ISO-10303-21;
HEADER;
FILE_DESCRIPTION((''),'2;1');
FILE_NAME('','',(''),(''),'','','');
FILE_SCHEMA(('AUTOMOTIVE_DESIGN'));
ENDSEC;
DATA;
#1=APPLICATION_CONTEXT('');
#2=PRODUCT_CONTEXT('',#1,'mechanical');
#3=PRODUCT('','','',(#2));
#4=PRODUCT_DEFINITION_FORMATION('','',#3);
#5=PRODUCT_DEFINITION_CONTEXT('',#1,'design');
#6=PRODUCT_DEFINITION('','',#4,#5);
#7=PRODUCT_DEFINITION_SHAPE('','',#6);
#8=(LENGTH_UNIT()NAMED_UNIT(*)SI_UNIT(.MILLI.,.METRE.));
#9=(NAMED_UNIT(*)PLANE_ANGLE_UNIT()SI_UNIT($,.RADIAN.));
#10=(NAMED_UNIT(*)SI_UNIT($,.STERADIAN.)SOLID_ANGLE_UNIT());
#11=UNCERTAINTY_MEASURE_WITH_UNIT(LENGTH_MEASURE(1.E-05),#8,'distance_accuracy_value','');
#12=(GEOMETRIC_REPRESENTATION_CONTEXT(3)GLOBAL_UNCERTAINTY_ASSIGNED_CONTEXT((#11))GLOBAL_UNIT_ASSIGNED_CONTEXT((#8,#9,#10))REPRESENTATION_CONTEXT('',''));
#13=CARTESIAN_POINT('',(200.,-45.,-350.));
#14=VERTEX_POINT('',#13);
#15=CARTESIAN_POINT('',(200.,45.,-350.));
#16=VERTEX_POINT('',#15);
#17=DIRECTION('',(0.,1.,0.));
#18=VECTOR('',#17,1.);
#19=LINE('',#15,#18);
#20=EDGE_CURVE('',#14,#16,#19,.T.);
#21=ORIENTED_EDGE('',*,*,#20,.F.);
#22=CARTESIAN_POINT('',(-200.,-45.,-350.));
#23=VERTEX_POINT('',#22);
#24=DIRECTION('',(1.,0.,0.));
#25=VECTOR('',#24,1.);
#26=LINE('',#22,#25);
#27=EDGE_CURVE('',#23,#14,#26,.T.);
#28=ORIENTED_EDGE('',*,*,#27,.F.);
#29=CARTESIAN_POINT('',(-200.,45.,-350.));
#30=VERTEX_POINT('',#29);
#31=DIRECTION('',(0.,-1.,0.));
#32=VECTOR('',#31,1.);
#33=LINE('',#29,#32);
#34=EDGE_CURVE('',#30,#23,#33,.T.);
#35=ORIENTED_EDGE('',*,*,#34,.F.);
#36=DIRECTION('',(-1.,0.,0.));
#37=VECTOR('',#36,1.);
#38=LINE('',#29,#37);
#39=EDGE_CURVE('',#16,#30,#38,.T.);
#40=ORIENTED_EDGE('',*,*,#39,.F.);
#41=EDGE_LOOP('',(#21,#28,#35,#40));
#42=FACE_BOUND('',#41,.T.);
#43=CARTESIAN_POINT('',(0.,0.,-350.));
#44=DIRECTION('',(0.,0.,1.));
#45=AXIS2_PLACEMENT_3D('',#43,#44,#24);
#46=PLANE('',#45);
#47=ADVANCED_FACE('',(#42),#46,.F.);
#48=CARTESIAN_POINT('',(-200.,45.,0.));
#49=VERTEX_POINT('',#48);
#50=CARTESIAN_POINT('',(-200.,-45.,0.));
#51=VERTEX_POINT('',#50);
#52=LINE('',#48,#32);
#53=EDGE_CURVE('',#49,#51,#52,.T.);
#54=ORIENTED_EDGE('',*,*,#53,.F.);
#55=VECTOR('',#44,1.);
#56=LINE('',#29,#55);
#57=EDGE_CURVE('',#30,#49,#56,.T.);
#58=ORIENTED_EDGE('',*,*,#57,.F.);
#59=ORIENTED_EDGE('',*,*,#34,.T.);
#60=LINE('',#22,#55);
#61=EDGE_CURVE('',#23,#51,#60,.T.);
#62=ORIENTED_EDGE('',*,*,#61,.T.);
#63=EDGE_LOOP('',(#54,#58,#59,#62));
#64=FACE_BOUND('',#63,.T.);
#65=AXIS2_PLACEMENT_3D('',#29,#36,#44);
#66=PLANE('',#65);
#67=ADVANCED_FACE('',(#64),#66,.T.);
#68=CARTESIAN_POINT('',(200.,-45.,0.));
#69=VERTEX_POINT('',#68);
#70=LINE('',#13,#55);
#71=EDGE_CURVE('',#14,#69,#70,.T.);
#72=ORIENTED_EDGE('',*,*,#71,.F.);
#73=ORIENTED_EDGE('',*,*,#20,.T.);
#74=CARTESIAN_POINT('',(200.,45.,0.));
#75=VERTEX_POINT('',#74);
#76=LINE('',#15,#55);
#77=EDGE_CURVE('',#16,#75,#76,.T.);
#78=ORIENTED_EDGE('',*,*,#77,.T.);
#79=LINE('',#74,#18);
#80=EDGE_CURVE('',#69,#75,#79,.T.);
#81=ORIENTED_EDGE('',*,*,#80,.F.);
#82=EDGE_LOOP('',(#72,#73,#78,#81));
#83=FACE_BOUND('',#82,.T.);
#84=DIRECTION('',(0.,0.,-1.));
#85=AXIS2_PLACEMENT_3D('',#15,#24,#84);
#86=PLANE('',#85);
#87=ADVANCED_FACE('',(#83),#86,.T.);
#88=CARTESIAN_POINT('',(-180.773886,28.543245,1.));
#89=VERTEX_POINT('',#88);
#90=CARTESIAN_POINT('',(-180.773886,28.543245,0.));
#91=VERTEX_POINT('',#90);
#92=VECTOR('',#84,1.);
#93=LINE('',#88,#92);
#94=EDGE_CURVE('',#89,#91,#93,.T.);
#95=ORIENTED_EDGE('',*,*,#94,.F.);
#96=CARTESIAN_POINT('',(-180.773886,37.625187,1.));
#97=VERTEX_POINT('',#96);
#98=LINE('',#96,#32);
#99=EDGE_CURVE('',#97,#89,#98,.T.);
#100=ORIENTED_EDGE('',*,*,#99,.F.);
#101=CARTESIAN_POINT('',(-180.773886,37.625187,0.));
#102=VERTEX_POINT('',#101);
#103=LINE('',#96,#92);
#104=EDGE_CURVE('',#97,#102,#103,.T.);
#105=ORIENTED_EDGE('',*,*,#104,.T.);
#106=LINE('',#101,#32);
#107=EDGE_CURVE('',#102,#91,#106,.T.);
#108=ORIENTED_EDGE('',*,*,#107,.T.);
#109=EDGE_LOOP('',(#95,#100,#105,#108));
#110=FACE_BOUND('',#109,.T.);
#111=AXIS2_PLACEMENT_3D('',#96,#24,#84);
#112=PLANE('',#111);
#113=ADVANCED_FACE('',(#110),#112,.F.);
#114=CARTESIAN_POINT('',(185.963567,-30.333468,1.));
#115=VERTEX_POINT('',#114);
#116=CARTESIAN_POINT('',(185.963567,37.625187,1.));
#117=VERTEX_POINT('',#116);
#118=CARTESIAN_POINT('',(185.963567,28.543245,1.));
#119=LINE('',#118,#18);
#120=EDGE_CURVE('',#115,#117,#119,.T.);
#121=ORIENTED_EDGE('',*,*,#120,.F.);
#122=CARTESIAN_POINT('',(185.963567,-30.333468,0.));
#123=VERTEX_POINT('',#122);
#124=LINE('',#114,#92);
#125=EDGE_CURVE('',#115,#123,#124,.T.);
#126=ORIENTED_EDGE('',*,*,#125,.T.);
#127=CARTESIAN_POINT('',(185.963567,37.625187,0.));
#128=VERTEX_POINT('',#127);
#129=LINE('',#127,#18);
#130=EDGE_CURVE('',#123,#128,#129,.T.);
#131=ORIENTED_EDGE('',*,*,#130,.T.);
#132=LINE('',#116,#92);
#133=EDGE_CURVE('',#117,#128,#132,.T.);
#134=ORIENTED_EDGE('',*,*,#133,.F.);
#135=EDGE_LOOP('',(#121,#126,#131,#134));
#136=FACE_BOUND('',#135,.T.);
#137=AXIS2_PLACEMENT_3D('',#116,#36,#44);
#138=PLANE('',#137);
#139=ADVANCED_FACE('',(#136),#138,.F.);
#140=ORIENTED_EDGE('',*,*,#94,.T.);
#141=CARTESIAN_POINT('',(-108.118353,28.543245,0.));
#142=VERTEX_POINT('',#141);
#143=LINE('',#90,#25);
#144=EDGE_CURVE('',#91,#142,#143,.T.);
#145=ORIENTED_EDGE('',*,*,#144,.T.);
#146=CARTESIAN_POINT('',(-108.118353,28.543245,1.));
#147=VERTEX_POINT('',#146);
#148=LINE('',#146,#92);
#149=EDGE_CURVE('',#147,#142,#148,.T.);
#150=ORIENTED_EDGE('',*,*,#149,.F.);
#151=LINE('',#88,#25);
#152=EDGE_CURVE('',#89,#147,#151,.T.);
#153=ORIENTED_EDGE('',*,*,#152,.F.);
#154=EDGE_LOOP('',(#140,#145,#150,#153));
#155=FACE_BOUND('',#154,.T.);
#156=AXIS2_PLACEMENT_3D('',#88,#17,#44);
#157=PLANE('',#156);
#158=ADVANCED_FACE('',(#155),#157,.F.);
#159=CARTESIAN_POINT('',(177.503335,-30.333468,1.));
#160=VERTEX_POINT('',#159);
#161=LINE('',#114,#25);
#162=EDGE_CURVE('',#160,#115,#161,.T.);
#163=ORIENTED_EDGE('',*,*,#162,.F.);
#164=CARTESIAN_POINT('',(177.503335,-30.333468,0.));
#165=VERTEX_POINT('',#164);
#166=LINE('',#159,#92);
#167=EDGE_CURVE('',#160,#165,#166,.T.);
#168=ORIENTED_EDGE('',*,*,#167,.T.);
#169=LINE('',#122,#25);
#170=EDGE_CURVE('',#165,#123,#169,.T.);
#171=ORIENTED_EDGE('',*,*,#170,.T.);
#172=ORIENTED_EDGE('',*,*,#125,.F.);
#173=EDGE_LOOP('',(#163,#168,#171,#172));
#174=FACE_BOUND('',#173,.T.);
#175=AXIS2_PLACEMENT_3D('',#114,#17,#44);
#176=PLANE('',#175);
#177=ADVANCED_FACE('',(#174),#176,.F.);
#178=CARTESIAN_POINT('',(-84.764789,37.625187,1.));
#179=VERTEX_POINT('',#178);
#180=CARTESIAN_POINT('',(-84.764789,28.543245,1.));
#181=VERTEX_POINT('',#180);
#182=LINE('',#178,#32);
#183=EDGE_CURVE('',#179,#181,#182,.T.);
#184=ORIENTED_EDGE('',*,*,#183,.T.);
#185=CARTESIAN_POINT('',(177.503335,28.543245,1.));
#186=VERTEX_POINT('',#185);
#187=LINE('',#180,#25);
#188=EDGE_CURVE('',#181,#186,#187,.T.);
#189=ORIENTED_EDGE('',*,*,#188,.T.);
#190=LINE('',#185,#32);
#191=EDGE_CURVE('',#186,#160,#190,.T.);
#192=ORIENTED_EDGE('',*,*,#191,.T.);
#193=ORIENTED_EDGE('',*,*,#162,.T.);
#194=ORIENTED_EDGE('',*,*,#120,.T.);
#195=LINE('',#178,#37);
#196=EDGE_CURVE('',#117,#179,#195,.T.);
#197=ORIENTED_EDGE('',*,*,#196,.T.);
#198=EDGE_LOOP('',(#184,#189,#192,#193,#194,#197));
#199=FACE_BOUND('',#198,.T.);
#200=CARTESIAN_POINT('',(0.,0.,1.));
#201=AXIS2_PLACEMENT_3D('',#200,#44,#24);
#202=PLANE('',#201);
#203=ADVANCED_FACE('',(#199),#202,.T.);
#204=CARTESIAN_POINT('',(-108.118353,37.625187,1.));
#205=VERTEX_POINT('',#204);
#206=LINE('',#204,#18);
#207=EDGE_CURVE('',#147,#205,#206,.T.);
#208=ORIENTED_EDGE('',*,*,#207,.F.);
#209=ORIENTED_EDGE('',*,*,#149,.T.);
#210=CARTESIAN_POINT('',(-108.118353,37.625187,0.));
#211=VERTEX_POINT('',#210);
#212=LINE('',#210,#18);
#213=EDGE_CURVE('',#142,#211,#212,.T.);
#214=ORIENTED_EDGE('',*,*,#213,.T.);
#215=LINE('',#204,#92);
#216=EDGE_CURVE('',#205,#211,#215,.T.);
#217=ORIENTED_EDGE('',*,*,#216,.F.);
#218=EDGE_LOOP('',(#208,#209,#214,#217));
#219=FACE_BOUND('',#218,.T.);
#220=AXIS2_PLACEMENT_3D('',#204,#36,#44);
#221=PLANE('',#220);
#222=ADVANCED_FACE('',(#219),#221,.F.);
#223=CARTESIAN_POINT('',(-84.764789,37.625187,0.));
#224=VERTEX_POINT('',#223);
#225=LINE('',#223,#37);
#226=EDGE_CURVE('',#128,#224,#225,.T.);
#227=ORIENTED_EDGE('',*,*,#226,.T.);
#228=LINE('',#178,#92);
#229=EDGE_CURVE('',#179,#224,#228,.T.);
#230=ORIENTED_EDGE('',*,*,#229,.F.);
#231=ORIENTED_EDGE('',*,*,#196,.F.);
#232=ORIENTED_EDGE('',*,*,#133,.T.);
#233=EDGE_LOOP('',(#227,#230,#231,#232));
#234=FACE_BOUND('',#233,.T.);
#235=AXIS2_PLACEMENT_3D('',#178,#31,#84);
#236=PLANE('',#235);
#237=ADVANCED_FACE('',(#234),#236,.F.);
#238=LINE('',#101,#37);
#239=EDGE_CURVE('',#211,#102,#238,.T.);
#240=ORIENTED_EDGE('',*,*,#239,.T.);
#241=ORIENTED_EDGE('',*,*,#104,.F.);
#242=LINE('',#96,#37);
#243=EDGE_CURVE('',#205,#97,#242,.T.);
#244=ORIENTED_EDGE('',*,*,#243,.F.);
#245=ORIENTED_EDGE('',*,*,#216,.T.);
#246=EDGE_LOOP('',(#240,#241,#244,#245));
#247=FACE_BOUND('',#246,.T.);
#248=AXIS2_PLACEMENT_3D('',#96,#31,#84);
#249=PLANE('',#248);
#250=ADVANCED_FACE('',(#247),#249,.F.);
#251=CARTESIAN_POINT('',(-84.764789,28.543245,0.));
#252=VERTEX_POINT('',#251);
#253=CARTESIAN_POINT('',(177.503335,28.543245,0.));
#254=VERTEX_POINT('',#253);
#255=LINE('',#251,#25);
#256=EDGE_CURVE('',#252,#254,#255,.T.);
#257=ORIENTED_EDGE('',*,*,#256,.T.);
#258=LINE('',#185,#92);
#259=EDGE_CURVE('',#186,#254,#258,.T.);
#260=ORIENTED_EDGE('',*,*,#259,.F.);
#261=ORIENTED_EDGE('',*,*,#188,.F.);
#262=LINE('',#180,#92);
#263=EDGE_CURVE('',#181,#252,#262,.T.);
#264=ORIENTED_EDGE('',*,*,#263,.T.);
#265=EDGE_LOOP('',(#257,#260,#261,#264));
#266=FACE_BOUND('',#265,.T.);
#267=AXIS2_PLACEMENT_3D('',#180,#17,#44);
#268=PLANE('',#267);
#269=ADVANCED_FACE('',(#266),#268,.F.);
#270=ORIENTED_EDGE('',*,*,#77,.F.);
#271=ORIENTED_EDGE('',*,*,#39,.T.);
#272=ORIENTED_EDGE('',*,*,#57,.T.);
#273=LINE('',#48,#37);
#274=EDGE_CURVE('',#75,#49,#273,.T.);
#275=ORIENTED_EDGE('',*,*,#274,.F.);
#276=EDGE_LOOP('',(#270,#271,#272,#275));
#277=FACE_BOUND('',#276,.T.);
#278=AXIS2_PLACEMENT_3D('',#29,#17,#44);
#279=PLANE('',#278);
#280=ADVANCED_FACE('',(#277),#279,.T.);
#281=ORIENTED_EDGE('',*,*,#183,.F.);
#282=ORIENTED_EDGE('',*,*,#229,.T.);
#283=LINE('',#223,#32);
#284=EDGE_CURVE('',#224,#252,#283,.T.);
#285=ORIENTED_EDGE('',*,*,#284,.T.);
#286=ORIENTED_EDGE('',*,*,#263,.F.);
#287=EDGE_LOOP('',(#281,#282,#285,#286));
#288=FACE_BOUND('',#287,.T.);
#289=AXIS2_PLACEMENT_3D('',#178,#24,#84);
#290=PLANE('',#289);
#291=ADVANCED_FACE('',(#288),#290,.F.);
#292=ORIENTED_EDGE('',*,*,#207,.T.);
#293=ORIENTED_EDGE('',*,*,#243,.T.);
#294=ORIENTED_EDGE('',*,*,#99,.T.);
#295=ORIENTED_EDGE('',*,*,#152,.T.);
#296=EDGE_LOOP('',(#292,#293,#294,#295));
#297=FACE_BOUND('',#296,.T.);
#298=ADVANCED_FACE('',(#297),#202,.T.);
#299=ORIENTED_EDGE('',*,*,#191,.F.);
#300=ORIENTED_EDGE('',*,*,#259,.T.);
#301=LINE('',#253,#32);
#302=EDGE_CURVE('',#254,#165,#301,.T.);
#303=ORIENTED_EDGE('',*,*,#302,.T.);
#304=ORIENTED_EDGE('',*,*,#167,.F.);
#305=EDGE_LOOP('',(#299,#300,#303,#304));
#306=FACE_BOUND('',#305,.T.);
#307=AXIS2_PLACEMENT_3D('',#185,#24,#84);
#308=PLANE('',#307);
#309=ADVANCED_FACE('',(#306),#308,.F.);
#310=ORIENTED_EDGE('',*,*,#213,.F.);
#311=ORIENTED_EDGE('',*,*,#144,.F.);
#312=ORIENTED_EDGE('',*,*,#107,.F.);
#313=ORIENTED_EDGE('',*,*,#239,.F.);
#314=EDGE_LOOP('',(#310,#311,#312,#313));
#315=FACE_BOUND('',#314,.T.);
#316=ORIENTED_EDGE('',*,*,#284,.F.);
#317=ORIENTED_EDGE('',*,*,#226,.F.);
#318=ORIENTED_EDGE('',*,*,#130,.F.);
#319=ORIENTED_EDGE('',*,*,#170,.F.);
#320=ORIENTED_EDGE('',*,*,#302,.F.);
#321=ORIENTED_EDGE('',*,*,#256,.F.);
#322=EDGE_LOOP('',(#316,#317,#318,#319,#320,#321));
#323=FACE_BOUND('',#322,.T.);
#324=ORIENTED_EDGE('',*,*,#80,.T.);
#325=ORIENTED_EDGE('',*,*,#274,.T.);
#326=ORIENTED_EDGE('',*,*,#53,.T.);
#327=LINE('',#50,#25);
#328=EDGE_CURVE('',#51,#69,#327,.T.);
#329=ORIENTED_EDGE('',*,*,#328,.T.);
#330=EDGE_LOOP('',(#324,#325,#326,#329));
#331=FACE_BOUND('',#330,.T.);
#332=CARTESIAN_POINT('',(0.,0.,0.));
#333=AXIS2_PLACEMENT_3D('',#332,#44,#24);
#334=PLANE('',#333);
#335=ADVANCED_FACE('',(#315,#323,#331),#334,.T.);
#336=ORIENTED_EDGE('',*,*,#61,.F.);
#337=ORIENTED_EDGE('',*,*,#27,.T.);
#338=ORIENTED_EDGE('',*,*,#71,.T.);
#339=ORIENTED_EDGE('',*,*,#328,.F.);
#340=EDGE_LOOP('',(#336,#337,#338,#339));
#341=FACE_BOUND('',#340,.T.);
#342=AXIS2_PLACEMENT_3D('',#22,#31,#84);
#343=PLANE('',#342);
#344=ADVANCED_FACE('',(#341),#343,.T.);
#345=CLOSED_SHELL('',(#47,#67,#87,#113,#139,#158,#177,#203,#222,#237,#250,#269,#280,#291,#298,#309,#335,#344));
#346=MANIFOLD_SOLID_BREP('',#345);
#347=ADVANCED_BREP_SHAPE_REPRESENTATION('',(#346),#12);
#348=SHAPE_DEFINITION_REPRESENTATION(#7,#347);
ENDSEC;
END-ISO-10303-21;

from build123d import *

# Parameters (mm, degrees)
CROQUIS1_W              = 400
CROQUIS1_H              = 90
SALIENTE_EXTRUIR1_DEPTH = 350
CROQUIS2_W              = 72.65553302
CROQUIS2_H              = 9.081941628
SALIENTE_EXTRUIR2_DEPTH = 1


with BuildPart() as part:
    # Croquis1 → Saliente-Extruir1 (new body)
    with BuildSketch(Plane.XY):
        Rectangle(CROQUIS1_W, CROQUIS1_H)
    extrude(amount=-SALIENTE_EXTRUIR1_DEPTH)

    # Croquis2 → Saliente-Extruir2 (add)
    with BuildSketch(Plane.XY):
        with Locations((-144.446119219, 33.084215929)):
            Rectangle(CROQUIS2_W, CROQUIS2_H)
        Polygon((-84.764788524, 37.625186743), (185.963566659, 37.625186743), (185.963566659, 28.543245115), (185.963566659, -30.333468212), (177.50333461, -30.333468212), (177.50333461, 28.543245115), (-84.764788524, 28.543245115), align=None)
    extrude(amount=SALIENTE_EXTRUIR2_DEPTH)


solid = part.part
